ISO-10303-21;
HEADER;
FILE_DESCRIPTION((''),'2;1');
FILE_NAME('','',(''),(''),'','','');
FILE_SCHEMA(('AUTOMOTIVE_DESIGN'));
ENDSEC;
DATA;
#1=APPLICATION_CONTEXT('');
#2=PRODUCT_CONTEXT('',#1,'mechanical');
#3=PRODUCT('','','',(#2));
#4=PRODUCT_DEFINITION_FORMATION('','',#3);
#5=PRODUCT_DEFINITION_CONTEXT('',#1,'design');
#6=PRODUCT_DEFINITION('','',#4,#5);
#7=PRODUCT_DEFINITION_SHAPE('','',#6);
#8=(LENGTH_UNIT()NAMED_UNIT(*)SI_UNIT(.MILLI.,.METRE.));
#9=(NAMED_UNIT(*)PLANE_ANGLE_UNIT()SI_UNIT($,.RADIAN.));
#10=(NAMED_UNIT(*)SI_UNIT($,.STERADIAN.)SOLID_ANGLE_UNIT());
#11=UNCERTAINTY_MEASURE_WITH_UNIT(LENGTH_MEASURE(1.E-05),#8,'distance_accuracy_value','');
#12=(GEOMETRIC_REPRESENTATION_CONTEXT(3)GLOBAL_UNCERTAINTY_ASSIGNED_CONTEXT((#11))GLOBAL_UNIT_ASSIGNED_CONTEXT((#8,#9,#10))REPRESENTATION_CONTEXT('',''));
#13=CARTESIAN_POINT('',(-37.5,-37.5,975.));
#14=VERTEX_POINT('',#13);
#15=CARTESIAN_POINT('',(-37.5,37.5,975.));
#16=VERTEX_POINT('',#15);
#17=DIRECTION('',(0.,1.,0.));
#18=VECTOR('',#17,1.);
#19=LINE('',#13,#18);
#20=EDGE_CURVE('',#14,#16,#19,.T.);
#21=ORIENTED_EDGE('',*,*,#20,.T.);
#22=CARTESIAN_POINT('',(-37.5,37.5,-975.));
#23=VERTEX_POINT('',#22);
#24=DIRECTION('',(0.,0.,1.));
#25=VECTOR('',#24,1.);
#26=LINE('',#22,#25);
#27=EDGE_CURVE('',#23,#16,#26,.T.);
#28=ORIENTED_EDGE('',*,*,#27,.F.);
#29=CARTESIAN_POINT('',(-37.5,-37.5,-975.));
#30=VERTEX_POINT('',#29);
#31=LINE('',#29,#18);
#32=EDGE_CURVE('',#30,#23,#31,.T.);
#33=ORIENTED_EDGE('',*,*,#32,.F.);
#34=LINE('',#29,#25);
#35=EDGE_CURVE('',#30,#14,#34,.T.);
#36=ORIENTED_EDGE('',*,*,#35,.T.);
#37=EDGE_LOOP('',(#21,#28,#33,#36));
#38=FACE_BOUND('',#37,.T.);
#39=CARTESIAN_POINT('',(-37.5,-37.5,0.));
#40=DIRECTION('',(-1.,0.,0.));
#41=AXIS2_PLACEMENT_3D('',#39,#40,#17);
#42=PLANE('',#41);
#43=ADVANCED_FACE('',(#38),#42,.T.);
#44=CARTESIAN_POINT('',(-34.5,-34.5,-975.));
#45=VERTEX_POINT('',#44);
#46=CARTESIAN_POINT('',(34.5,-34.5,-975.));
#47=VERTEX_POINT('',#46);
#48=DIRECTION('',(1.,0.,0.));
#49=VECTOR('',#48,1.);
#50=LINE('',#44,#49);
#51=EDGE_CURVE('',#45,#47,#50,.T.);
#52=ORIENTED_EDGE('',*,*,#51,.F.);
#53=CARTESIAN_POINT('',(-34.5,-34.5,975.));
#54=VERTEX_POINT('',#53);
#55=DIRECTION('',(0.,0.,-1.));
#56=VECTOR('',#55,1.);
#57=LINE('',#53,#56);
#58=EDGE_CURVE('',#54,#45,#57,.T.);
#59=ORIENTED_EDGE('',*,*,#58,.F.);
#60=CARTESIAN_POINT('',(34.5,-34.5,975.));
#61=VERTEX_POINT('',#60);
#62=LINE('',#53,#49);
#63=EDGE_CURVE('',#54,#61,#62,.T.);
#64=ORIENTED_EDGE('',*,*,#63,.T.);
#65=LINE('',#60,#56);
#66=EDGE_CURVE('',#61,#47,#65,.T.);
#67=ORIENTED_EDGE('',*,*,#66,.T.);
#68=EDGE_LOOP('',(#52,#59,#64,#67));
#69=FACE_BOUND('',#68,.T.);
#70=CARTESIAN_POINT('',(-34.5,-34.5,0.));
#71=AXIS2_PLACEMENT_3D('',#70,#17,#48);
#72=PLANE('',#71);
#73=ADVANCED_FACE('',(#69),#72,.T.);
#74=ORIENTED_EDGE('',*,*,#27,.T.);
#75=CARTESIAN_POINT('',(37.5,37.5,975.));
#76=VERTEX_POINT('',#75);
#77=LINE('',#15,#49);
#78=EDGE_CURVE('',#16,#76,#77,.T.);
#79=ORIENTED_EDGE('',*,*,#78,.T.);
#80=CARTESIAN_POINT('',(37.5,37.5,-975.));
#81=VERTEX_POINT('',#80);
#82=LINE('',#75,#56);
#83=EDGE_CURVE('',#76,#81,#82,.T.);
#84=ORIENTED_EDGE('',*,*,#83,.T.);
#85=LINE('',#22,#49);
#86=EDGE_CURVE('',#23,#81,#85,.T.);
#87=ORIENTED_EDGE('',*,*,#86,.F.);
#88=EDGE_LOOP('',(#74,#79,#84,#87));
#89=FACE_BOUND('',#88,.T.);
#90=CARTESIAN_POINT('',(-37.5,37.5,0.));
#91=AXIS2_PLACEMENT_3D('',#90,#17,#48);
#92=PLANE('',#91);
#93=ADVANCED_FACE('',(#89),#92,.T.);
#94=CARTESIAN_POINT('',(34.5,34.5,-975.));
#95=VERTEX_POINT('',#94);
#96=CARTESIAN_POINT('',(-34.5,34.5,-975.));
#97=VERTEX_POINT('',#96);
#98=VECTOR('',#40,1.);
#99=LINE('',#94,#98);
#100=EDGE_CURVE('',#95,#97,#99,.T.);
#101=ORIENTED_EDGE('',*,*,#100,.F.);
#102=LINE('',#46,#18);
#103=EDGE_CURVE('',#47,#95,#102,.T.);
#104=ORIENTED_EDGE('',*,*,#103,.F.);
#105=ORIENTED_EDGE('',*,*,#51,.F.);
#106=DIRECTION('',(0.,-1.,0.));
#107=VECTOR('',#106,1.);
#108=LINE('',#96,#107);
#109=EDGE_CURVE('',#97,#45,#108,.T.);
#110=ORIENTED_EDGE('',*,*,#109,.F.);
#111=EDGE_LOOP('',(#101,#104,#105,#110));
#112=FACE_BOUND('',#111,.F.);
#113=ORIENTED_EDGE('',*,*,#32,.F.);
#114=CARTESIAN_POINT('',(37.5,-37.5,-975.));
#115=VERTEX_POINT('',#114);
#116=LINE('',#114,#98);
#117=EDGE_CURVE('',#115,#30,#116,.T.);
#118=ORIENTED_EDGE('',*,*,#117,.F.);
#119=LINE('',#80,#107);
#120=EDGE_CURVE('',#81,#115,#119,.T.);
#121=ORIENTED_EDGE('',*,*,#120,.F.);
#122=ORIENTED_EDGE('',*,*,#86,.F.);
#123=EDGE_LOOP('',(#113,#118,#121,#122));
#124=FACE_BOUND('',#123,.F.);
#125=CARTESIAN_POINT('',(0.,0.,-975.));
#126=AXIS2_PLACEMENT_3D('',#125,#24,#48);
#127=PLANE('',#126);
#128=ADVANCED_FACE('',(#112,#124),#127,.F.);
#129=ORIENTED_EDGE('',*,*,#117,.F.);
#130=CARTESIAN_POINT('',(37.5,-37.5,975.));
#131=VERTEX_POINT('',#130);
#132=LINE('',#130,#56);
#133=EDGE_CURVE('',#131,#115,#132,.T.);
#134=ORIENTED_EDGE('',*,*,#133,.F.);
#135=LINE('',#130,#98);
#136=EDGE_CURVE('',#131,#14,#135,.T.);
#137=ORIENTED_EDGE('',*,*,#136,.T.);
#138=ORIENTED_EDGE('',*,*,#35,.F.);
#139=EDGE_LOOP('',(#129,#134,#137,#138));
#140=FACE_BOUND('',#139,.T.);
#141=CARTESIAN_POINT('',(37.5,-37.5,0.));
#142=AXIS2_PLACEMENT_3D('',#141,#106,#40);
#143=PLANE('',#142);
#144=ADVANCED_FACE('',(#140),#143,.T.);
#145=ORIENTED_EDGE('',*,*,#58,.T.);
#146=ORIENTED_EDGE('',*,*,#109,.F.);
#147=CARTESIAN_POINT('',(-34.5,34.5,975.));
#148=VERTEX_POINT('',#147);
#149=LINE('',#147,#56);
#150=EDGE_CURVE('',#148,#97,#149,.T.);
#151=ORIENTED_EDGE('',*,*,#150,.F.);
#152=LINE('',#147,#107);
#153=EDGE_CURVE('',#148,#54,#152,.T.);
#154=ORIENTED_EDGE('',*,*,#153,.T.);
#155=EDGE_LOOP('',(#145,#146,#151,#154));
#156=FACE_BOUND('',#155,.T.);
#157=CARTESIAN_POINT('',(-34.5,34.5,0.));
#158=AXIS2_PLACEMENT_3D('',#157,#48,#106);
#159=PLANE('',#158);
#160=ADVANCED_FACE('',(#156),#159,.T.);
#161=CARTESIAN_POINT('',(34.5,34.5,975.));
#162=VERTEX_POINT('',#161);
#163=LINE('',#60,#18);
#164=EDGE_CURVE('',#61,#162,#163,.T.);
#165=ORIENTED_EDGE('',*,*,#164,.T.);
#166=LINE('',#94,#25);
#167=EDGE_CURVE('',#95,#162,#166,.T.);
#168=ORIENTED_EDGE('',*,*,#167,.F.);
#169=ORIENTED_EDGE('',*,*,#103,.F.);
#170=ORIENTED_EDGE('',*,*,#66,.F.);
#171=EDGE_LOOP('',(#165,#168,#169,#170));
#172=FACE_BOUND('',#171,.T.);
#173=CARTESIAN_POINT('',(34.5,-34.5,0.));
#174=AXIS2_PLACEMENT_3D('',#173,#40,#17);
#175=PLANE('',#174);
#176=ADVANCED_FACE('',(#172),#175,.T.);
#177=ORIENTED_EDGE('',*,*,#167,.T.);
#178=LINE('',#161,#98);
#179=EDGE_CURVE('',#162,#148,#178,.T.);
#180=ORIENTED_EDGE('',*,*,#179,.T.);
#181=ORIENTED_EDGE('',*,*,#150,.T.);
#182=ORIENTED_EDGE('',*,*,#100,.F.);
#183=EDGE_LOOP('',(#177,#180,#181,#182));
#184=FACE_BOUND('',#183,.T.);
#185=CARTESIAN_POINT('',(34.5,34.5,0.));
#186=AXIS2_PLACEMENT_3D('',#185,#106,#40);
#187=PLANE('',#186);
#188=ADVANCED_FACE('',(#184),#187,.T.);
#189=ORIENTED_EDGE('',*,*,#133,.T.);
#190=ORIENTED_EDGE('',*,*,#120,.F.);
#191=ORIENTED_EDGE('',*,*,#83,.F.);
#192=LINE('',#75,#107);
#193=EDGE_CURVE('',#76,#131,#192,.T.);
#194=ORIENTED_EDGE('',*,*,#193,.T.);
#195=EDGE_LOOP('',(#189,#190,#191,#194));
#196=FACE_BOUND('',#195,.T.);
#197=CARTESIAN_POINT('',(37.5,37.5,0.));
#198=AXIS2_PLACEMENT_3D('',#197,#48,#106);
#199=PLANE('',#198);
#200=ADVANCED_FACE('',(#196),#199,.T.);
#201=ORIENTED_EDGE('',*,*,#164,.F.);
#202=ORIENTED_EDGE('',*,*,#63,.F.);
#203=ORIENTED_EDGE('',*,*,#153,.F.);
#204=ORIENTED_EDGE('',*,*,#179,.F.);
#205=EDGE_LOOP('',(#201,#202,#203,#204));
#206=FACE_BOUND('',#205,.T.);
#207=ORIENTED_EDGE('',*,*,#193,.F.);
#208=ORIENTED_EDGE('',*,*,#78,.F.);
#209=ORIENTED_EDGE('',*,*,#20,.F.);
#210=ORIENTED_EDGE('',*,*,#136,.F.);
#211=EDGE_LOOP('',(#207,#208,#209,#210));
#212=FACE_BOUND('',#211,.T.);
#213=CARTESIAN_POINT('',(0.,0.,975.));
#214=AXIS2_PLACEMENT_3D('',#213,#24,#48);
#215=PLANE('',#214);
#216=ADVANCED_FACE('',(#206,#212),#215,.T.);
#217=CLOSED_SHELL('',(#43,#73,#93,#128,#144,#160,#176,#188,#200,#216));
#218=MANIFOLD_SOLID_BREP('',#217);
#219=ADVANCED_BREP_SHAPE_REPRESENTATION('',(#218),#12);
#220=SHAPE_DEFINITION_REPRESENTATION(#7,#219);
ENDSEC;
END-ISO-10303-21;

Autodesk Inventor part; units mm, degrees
ref_plane "YZ Plane" through (0, 0, 0) normal (1, 0, 0) x (0, 1, 0)
ref_plane "XZ Plane" through (0, 0, 0) normal (0, 1, 0) x (-1, 0, 0)
ref_plane "XY Plane" through (0, 0, 0) normal (0, 0, 1) x (1, 0, 0)
sketch "Boceto1" plane through (0, 0, 0) normal (0, 0, 1) x (1, 0, 0)
  line L0 (-37.5, 37.5) -> (37.5, 37.5)
  line L1 (37.5, 37.5) -> (37.5, -37.5)
  line L2 (37.5, -37.5) -> (-37.5, -37.5)
  line L3 (-37.5, -37.5) -> (-37.5, 37.5)
  line L4 (34.5, 34.5) -> (-34.5, 34.5)
  line L5 (-34.5, 34.5) -> (-34.5, -34.5)
  line L6 (-34.5, -34.5) -> (34.5, -34.5)
  line L7 (34.5, -34.5) -> (34.5, 34.5)
  point P0 (0, 0)
  dimension "d0" = 75
  dimension "d1" = 75
  dimension "d2" = 3
  dimension "d3" = 37.5
  dimension "d4" = 37.5
extrude "Extrusión1" add sketch "Boceto1" along normal mid plane 1950
equation "\"d0\" = width"
equation "\"d1\" = height"
equation "\"d2\" = t"
equation "\"d3\" = 0.5 * height"
equation "\"d4\" = 0.5 * width"
equation "\"d5\" = length"
equation "\"width\" = 75"
equation "\"height\" = 75"
equation "\"t\" = 3"
equation "\"length\" = 1950"
properties part number "195 STEEL PROFILE" material "Acero"
